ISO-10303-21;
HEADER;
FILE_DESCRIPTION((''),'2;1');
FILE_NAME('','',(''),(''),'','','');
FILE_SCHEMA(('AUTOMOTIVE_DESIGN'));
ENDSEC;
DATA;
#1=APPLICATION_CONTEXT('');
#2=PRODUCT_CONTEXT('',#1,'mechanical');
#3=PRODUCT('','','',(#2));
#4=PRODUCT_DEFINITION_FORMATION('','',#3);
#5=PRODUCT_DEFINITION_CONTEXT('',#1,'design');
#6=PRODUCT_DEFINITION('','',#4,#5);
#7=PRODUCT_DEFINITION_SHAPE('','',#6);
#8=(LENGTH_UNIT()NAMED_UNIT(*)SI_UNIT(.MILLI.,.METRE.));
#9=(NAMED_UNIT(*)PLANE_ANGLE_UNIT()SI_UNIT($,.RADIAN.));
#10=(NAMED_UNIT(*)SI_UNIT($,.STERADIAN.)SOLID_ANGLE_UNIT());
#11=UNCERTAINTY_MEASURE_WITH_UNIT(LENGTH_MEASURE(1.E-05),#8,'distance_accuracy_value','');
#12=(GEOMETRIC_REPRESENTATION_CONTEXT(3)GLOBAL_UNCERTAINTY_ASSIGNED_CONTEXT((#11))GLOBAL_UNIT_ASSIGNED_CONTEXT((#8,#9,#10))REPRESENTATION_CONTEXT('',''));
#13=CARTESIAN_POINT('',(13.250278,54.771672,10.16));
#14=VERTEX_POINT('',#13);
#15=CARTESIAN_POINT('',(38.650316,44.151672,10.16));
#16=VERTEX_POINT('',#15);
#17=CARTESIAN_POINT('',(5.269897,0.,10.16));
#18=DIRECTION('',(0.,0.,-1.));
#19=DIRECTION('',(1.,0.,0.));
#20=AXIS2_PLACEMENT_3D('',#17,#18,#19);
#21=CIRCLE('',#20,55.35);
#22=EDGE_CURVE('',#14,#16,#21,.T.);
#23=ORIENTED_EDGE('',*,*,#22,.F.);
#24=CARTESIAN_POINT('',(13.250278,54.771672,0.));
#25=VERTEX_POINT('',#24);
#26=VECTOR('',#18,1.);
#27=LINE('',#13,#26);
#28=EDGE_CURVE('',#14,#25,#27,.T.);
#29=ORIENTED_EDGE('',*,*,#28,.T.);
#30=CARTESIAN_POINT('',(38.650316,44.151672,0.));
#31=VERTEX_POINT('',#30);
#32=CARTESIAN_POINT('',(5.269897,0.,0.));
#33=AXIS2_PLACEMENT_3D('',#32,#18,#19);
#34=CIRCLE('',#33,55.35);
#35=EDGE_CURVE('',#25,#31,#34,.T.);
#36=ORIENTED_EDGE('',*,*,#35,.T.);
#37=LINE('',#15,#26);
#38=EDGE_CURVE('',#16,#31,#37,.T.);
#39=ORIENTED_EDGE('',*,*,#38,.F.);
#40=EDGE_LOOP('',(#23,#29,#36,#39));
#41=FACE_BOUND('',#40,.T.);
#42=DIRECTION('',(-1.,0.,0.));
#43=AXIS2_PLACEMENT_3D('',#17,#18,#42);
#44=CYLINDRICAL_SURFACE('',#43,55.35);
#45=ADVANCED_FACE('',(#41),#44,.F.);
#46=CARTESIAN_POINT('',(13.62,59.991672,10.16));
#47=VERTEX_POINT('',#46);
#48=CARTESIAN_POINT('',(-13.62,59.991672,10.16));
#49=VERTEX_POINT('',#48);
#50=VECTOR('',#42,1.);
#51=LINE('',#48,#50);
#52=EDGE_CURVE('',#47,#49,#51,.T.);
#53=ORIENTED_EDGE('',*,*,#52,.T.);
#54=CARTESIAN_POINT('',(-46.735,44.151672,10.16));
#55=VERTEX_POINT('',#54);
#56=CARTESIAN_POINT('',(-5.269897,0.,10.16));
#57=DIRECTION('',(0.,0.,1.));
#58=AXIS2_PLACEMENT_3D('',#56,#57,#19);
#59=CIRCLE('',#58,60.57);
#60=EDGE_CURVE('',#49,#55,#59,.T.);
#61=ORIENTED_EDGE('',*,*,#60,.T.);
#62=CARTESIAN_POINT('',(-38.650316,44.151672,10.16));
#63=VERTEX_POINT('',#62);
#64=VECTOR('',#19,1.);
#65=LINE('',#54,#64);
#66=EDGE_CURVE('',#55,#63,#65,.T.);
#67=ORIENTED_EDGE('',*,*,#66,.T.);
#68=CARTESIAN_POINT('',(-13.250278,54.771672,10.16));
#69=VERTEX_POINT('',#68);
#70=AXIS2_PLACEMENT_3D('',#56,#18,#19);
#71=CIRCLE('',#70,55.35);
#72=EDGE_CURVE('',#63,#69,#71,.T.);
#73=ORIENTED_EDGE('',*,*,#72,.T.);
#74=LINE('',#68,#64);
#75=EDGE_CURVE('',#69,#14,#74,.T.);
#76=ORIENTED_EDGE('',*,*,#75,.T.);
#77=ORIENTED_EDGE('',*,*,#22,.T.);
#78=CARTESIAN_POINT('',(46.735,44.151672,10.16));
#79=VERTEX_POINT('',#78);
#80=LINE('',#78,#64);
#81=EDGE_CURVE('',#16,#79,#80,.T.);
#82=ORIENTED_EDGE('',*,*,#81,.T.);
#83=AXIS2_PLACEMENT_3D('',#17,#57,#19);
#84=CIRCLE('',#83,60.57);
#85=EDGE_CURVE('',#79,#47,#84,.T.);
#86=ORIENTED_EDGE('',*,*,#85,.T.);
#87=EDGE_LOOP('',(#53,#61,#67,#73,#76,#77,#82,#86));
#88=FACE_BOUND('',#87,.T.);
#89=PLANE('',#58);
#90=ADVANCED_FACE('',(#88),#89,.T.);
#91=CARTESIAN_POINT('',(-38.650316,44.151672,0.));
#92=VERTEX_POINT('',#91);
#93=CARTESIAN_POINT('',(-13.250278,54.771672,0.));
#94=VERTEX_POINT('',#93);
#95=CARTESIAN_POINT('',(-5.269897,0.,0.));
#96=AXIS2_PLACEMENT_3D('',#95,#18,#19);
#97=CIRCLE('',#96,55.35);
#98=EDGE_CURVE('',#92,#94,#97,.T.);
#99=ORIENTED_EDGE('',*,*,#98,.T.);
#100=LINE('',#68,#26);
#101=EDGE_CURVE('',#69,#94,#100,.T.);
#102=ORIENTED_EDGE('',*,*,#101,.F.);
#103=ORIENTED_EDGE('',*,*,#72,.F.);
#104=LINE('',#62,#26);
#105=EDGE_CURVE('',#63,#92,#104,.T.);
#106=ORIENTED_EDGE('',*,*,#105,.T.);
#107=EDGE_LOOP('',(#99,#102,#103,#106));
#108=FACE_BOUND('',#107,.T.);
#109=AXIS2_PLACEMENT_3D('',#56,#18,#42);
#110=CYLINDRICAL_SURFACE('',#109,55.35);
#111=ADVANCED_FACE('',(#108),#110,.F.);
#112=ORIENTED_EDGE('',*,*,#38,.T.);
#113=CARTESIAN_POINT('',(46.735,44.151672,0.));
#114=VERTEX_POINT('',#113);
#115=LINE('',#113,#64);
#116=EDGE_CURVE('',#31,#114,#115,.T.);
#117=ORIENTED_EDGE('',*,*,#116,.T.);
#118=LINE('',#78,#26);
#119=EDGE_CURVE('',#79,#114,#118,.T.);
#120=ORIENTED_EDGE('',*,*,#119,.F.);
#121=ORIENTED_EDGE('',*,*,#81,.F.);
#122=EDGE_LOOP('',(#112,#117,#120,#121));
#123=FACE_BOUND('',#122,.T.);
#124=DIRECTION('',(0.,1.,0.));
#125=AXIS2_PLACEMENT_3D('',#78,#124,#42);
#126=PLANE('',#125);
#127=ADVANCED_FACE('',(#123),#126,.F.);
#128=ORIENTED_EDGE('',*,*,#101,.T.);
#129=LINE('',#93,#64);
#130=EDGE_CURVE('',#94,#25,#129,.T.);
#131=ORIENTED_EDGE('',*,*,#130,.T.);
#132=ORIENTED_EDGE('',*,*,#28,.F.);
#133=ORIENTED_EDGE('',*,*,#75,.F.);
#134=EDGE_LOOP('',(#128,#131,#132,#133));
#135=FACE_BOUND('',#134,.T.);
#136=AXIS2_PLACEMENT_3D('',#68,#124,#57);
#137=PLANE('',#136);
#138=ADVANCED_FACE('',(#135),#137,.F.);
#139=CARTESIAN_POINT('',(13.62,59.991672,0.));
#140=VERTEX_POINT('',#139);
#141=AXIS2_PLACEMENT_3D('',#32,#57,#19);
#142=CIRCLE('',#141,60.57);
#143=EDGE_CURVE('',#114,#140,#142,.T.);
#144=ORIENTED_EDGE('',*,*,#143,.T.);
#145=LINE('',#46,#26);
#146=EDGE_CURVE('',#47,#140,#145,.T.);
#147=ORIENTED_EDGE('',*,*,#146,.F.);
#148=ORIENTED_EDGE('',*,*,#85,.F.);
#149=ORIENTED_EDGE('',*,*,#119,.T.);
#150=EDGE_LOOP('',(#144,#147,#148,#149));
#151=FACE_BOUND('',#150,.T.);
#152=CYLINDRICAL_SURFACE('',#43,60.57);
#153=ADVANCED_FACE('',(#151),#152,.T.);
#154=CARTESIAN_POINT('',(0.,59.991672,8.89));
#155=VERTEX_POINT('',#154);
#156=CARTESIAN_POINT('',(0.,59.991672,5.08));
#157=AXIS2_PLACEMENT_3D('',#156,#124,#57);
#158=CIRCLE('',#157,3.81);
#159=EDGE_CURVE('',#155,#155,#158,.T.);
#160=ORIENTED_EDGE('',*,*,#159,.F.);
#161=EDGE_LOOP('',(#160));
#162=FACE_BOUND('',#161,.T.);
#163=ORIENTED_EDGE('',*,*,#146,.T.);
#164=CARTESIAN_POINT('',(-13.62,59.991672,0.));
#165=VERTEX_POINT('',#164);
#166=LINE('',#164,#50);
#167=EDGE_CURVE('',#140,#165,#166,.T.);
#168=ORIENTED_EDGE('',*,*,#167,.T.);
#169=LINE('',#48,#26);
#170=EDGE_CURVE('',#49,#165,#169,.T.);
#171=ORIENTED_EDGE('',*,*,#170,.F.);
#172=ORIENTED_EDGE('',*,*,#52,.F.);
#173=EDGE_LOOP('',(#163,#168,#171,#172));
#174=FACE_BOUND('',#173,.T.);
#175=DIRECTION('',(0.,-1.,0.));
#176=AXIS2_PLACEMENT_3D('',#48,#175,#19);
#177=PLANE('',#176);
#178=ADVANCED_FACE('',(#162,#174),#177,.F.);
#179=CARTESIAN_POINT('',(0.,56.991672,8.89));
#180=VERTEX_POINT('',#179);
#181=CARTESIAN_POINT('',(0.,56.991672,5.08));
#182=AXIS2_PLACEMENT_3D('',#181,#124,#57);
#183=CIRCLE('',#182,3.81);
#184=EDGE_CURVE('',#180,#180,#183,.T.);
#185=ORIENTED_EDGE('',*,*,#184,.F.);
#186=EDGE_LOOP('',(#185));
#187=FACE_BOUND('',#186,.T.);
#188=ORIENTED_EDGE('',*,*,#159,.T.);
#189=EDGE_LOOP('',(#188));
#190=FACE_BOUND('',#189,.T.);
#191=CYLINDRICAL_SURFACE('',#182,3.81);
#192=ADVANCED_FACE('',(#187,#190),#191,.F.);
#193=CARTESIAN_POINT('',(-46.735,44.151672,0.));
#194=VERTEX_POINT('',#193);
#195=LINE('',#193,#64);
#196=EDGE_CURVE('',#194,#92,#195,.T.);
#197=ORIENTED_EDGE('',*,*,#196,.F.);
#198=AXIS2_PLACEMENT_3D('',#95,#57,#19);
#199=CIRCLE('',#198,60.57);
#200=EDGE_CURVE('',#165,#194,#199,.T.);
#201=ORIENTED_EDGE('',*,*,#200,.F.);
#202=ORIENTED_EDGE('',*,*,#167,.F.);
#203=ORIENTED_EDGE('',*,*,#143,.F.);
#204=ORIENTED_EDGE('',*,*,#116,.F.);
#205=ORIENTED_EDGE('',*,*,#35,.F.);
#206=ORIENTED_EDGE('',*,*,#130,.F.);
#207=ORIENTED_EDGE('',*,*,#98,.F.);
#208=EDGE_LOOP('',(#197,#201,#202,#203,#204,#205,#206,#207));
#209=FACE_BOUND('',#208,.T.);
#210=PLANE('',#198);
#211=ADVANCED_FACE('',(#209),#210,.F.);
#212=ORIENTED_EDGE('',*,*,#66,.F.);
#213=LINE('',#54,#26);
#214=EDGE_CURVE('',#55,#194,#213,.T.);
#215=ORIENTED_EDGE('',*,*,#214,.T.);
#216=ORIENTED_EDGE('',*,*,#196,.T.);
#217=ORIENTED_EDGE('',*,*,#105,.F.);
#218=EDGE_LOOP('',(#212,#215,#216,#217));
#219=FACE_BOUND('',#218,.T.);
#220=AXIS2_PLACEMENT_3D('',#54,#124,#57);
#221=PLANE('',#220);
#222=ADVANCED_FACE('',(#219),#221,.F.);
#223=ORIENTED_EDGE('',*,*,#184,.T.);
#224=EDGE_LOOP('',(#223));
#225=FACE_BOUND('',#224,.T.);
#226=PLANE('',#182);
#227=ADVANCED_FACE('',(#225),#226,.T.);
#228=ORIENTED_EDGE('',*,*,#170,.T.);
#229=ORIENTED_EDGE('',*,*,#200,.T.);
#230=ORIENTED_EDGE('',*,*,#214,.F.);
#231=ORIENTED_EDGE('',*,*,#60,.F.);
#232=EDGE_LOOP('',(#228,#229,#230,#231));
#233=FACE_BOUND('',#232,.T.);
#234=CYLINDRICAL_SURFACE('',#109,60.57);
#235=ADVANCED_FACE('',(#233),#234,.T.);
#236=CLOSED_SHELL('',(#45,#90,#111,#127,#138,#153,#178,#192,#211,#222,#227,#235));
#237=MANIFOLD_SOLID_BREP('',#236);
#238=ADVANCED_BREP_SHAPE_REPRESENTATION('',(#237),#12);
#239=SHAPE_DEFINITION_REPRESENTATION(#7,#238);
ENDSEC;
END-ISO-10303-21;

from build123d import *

# Parameters (mm, degrees)
BOSS_EXTRUDE1_DEPTH = 10.16
SKETCH2_R           = 3.81
CUT_EXTRUDE1_DEPTH  = 3


with BuildPart() as part:
    # Sketch1 → Boss-Extrude1 (new body)
    with BuildSketch(Plane.XY):
        with BuildLine():
            Line((-13.62, 59.991671726), (13.62, 59.991671726))
            ThreePointArc((13.62, 59.991671726), (31.406367433, 54.640733913), (46.735, 44.151671726))
            Line((46.735, 44.151671726), (38.650315963, 44.151671726))
            ThreePointArc((38.650315963, 44.151671726), (26.621127245, 51.066108705), (13.25027751, 54.771671726))
            Line((13.25027751, 54.771671726), (-13.25027751, 54.771671726))
            ThreePointArc((-13.25027751, 54.771671726), (-26.621127245, 51.066108705), (-38.650315963, 44.151671726))
            Line((-38.650315963, 44.151671726), (-46.735, 44.151671726))
            ThreePointArc((-46.735, 44.151671726), (-31.406367433, 54.640733913), (-13.62, 59.991671726))
        make_face()
    extrude(amount=BOSS_EXTRUDE1_DEPTH)

    # Sketch2 → Cut-Extrude1 (cut)
    with BuildSketch(Plane(origin=(0, 59.991671726, 0), x_dir=(1, 0, 0), z_dir=(0, 1, 0))):
        with Locations((0, -5.08)):
            Circle(SKETCH2_R)
    extrude(amount=-CUT_EXTRUDE1_DEPTH, mode=Mode.SUBTRACT)


solid = part.part
